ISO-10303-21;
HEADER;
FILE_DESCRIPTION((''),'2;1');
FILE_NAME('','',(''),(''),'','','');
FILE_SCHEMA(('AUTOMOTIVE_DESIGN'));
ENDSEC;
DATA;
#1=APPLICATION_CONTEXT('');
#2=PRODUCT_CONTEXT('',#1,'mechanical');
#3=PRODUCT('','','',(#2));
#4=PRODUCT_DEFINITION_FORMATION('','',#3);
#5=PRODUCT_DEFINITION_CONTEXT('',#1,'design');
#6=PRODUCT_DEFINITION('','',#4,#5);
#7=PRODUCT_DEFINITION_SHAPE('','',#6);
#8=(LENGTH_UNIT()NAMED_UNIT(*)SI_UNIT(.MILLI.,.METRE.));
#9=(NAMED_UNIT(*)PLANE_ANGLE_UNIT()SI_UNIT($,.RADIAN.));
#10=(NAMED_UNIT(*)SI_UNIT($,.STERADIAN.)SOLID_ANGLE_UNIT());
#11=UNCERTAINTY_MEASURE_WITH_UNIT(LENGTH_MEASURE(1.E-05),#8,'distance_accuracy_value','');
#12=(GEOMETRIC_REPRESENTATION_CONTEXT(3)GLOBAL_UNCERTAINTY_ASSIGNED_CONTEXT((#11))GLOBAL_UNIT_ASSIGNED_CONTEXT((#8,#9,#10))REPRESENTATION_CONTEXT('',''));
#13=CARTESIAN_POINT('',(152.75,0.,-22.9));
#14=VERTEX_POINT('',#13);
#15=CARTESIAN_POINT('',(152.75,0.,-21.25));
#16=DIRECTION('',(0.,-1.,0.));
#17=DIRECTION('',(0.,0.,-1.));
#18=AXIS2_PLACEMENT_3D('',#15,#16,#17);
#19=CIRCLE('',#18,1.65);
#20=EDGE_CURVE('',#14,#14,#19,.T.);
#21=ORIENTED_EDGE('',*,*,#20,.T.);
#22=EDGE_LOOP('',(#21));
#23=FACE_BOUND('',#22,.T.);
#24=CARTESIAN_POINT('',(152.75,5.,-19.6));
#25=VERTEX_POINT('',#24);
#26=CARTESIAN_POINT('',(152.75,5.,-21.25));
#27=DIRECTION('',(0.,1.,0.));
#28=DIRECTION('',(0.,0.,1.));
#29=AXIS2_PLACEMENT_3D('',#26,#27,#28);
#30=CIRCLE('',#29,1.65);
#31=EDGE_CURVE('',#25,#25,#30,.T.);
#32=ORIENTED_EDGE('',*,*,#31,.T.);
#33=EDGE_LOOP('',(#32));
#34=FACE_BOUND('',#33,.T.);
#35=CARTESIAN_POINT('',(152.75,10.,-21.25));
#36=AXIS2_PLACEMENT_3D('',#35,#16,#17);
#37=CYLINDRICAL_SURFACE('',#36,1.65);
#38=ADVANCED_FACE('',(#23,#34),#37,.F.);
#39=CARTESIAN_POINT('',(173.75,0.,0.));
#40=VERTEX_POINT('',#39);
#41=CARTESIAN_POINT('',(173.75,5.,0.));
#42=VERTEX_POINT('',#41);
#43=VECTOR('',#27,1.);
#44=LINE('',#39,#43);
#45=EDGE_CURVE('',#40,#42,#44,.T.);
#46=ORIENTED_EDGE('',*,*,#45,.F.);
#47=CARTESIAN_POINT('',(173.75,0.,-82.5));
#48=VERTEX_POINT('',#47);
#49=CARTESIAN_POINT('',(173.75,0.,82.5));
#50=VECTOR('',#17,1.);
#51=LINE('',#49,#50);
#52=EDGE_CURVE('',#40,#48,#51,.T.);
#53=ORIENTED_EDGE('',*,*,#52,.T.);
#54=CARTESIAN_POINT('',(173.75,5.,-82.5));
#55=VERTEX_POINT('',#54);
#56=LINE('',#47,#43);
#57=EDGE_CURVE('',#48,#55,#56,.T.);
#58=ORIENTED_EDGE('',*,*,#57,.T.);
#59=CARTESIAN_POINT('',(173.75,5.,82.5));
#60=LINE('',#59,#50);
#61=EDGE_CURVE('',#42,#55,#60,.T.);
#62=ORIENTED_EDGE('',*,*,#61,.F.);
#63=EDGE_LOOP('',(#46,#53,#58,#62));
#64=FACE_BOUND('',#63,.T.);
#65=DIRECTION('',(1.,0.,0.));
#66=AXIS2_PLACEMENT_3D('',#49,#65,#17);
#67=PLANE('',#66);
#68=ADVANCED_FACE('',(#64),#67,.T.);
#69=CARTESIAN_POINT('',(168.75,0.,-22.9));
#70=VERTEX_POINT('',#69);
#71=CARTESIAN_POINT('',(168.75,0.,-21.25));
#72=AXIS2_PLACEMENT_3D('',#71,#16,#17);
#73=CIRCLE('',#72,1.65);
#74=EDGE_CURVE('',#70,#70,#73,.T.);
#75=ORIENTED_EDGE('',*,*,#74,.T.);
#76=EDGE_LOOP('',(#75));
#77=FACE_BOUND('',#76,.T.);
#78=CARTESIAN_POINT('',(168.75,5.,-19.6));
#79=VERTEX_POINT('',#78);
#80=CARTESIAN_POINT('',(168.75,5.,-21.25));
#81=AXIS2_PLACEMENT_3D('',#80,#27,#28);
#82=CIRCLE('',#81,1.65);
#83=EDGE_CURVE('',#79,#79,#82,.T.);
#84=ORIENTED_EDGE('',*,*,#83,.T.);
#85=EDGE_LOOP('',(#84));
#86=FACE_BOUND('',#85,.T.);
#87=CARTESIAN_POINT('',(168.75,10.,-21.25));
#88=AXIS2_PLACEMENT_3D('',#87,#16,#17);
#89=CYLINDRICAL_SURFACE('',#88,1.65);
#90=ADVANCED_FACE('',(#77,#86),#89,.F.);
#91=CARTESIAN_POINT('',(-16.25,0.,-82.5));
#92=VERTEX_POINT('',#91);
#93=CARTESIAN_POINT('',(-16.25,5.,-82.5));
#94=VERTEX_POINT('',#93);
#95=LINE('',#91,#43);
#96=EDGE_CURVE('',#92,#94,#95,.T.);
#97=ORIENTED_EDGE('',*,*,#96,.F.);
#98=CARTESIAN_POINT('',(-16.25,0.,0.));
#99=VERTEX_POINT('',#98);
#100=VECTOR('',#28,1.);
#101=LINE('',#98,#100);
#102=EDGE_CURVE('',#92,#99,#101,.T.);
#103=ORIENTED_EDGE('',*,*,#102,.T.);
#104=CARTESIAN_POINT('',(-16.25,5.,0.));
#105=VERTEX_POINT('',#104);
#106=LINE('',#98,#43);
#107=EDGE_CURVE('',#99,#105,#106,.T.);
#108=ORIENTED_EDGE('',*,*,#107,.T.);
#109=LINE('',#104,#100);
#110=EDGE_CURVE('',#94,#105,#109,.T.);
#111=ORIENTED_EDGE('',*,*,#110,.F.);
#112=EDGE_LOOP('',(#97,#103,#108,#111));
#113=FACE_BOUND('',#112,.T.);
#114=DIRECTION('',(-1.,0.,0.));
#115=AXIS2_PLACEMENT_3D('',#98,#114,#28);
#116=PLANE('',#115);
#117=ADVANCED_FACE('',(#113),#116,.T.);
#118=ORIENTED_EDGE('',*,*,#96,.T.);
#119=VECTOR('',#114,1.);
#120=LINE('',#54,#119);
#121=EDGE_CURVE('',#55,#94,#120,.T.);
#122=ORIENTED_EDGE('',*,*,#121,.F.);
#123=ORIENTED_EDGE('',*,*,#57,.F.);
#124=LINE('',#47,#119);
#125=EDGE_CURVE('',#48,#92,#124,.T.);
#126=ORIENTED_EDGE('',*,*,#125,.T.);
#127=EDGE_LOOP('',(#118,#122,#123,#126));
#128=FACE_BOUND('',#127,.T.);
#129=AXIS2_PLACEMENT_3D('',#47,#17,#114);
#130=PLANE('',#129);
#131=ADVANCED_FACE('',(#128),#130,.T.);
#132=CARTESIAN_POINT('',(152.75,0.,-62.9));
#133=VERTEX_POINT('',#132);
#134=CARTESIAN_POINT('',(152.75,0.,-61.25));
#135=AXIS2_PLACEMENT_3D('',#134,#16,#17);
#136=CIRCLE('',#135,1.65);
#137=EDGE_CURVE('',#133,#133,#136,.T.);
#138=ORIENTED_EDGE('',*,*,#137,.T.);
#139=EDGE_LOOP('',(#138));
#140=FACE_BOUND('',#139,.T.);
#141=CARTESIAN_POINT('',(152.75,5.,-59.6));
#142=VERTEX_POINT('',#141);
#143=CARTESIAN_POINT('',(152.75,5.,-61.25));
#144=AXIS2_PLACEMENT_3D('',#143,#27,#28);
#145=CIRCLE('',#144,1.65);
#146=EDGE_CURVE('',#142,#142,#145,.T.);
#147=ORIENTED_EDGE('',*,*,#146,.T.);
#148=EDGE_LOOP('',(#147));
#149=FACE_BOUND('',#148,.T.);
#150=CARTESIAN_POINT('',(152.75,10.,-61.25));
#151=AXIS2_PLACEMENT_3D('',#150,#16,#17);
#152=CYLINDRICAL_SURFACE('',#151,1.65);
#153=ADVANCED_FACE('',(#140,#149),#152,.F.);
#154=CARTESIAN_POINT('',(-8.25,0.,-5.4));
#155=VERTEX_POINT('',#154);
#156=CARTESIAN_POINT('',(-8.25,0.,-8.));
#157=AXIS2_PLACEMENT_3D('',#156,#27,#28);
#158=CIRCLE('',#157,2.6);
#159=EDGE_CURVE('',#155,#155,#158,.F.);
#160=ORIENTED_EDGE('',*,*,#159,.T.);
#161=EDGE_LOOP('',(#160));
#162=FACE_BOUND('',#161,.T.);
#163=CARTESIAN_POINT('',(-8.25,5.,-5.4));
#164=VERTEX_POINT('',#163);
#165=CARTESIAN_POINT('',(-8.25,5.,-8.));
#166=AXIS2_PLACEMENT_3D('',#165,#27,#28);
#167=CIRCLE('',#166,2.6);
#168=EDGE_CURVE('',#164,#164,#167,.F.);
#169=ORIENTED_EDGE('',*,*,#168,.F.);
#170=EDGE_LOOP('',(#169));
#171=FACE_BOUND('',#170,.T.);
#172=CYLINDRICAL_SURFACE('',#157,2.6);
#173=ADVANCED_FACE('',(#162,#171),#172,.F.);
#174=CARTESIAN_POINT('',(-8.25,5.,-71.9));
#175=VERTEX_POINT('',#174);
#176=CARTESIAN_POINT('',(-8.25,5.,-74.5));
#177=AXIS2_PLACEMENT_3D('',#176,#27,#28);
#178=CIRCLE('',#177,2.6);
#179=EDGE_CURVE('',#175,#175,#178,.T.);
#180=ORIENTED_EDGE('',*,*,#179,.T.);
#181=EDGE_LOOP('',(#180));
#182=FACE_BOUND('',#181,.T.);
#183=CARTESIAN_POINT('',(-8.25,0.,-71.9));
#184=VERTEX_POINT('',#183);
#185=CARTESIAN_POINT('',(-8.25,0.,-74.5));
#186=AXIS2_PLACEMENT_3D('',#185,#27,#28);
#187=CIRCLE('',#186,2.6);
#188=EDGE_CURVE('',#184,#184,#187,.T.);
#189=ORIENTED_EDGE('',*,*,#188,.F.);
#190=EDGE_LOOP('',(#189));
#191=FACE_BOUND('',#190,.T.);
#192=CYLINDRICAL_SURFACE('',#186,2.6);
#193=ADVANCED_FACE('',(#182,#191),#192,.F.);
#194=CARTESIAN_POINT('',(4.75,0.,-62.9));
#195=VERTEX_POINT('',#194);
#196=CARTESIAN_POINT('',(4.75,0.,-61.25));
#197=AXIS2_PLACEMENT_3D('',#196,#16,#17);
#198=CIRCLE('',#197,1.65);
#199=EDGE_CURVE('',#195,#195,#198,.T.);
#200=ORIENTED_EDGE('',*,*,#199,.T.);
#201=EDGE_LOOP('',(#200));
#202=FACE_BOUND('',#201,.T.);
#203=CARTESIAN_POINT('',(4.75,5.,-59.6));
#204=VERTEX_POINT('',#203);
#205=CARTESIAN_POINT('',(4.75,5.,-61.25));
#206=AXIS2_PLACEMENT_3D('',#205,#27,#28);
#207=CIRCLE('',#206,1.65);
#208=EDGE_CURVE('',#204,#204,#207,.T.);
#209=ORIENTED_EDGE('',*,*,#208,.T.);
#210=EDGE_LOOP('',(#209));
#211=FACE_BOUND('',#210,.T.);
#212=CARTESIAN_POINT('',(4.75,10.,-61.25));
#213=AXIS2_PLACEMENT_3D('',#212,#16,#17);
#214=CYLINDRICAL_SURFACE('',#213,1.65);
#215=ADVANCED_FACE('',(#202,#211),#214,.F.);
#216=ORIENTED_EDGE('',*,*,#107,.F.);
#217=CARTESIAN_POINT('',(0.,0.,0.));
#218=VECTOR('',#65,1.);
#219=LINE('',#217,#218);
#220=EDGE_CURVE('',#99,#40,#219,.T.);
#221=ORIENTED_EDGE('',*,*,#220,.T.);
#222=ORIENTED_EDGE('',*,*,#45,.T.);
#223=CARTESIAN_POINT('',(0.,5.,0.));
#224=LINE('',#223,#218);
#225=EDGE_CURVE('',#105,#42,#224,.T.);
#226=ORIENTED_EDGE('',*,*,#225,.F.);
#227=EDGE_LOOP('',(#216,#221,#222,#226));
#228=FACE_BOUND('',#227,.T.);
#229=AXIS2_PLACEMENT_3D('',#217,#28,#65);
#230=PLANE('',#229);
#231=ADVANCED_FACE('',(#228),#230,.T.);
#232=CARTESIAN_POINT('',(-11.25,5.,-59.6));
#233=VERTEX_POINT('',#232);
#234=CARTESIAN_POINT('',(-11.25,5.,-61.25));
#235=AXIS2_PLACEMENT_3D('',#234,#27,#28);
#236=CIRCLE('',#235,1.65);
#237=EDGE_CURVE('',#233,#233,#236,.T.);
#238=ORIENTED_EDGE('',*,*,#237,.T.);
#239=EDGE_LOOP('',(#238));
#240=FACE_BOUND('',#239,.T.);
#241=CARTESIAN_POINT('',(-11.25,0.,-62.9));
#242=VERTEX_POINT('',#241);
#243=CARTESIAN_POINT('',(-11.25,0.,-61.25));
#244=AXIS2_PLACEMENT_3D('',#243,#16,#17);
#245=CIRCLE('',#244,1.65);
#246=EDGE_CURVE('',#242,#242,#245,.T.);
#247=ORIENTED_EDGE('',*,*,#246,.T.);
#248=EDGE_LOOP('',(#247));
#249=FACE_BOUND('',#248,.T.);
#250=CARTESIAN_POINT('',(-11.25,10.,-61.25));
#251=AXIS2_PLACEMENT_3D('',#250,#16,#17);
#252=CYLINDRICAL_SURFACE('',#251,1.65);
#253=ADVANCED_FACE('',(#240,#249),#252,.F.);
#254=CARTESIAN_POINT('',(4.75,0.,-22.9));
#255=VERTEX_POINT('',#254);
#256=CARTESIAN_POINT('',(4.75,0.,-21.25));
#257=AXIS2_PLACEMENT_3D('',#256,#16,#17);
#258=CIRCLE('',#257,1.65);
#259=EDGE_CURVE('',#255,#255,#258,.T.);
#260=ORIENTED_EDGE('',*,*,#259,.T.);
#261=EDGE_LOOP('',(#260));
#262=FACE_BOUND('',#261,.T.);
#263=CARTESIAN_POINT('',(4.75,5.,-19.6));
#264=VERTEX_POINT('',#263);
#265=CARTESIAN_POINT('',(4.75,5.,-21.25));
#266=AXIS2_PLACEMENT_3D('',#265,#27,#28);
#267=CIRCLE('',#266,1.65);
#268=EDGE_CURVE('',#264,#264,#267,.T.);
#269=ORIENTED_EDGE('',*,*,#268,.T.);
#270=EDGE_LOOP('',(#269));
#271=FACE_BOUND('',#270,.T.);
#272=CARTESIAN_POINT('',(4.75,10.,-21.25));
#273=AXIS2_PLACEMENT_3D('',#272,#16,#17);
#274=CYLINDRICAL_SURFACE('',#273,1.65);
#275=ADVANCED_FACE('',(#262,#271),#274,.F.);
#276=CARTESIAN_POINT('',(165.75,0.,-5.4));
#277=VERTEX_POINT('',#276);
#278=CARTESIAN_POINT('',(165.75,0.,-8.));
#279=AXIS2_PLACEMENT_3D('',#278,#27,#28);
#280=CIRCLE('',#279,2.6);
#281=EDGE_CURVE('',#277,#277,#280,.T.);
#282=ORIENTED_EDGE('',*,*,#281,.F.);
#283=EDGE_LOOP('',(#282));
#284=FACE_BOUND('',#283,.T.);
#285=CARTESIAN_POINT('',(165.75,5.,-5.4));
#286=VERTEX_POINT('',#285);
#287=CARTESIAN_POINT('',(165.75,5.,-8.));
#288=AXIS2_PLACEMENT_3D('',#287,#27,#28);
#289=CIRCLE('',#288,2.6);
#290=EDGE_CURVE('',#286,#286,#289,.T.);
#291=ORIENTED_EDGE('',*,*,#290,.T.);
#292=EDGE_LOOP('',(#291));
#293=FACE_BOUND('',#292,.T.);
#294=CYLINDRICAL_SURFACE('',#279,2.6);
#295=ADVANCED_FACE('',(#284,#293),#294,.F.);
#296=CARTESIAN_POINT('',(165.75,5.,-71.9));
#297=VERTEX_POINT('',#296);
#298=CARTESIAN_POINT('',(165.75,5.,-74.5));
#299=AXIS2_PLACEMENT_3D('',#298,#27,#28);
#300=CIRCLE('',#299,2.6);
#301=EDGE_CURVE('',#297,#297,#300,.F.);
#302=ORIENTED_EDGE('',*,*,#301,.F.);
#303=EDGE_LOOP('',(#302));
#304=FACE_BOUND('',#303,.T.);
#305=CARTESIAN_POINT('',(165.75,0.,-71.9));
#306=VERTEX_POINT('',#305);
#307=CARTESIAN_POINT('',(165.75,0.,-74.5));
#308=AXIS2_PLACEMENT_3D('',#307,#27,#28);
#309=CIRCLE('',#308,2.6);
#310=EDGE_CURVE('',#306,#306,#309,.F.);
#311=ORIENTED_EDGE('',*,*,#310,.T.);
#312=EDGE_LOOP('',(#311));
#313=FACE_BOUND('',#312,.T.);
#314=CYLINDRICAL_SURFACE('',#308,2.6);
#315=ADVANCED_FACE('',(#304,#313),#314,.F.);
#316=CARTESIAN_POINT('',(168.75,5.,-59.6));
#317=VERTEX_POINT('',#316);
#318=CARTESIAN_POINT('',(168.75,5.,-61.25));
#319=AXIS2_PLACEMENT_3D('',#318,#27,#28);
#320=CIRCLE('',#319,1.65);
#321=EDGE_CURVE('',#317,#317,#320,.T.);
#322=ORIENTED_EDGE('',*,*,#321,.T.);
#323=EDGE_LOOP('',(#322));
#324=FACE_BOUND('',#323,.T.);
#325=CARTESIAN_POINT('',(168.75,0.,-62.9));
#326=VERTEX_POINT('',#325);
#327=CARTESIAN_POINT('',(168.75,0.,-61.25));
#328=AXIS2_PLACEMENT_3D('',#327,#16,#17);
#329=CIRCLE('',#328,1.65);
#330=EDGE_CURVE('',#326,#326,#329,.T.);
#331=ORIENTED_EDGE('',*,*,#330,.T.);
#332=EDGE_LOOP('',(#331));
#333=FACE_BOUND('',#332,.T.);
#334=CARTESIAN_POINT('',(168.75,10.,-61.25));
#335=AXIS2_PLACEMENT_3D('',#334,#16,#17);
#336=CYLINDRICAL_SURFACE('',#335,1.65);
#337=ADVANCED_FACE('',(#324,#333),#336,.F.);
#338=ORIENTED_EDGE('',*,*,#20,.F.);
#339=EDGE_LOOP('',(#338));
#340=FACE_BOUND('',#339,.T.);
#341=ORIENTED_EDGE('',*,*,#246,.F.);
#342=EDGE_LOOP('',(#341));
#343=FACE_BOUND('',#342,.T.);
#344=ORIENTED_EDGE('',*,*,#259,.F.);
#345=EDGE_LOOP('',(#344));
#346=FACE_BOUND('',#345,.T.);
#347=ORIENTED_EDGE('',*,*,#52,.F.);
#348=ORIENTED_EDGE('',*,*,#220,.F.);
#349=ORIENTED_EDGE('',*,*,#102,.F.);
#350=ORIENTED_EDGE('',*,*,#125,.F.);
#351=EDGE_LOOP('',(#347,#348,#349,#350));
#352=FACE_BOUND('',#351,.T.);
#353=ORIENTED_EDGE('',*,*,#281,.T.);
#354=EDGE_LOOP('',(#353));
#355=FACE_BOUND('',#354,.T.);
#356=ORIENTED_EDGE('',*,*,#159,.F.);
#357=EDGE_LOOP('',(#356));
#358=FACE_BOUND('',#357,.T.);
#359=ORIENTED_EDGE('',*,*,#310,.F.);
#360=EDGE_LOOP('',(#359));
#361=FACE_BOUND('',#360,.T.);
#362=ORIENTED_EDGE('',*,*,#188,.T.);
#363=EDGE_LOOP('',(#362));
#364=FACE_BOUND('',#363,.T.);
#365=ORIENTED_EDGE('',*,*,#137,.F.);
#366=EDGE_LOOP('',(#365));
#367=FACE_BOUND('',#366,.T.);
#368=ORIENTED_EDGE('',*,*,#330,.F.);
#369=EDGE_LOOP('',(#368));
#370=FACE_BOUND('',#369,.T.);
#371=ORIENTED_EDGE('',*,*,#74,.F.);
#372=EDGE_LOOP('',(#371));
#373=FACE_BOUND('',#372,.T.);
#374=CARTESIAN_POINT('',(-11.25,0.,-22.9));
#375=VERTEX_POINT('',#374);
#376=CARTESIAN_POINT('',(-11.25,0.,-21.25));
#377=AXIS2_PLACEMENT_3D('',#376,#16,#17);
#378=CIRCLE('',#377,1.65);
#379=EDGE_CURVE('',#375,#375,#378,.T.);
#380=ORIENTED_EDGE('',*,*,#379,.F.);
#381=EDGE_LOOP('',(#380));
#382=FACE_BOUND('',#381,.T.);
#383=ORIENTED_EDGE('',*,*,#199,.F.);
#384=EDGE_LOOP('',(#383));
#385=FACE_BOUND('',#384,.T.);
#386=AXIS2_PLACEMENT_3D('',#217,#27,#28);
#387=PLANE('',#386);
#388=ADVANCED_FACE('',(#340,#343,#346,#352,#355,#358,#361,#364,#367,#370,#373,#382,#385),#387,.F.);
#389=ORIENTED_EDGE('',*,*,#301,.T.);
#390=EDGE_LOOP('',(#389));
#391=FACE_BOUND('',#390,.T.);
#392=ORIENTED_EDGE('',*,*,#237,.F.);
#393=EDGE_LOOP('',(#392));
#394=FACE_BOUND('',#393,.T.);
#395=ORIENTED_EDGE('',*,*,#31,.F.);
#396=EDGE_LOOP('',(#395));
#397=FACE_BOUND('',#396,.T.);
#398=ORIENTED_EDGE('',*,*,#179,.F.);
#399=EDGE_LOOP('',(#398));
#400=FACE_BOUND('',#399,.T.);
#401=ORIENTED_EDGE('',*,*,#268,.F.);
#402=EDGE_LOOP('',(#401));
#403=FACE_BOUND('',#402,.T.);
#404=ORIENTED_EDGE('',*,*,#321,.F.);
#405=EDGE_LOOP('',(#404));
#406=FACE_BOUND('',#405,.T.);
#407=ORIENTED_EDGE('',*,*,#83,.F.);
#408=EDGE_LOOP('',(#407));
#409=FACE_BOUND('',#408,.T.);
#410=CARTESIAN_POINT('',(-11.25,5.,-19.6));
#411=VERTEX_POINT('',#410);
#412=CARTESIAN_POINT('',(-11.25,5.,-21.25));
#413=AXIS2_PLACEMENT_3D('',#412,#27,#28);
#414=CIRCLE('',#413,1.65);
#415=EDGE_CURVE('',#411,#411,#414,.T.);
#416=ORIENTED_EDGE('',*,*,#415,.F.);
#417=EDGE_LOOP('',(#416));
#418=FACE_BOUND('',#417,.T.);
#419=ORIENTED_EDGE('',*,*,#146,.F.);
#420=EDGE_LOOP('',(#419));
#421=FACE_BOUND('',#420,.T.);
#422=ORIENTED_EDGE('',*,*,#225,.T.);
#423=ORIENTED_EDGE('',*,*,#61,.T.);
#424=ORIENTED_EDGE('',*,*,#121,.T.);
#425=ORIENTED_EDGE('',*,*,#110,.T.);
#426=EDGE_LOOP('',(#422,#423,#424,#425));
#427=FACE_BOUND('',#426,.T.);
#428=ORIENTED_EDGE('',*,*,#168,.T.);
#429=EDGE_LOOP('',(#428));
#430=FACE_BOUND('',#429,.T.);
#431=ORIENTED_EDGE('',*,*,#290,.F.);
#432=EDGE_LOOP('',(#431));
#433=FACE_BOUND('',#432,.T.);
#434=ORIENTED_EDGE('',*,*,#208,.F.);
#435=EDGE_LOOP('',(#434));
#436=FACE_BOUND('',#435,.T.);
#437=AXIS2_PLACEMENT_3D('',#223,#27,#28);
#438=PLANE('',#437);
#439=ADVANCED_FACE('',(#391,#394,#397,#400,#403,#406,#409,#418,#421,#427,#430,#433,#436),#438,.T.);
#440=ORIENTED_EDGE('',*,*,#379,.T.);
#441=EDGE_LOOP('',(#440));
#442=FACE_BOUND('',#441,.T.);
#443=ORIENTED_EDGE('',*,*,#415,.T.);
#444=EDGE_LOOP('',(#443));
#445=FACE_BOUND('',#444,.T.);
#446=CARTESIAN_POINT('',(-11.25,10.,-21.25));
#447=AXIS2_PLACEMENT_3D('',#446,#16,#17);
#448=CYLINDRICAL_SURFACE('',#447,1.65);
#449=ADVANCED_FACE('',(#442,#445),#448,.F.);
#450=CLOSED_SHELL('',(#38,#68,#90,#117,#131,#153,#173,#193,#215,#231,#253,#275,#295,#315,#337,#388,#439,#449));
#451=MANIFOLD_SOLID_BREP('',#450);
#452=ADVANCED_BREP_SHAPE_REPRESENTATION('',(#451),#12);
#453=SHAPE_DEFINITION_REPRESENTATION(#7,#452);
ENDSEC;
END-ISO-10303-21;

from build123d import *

# Parameters (mm, degrees)
SKETCH_1_W          = 347.5
SKETCH_1_H          = 165
SKETCH_1_R          = 2.6
EXTRUDE_1_DEPTH     = 5
SKETCH_2_W          = 157.5
SKETCH_2_H          = 82.5
SKETCH_2_H_2        = 55.334629905
SKETCH_2_H_3        = 27.165370095
SKETCH_2_R          = 2.6
SKETCH_2_W_2        = 173.75
SKETCH_2_W_3        = 16.25
CUT_EXTRUDE_2_DEPTH = 5
SKETCH_4_R          = 2.6
CUT_EXTRUDE_3_DEPTH = 5
SKETCH_5_R          = 1.65
CUT_EXTRUDE_4_DEPTH = 10


with BuildPart() as part:
    # 草图1 → 凸台-拉伸1 (new body)
    with BuildSketch(Plane(origin=(0, 5, 0), x_dir=(1, 0, 0), z_dir=(0, 1, 0))):
        Rectangle(SKETCH_1_W, SKETCH_1_H)
        with Locations(Location((-163.75, -70.5, 0), (0, 0, 90))):
            Circle(SKETCH_1_R, mode=Mode.SUBTRACT)
        with Locations(Location((-163.75, -60.5, 0), (0, 0, 90))):
            Circle(SKETCH_1_R, mode=Mode.SUBTRACT)
        with Locations(Location((163.75, -60.5, 0), (0, 0, 90))):
            Circle(SKETCH_1_R, mode=Mode.SUBTRACT)
        with Locations(Location((163.75, -70.5, 0), (0, 0, 90))):
            Circle(SKETCH_1_R, mode=Mode.SUBTRACT)
    extrude(amount=-EXTRUDE_1_DEPTH)

    # 草图2 → 切除-拉伸2 (cut)
    # profile 1 of 7: a face of its own
    with BuildSketch(Plane(origin=(0, 5, 0), x_dir=(1, 0, 0), z_dir=(0, 1, 0))):
        with Locations((-95, 41.25)):
            Rectangle(SKETCH_2_W, SKETCH_2_H)
    # profile 2 of 7: a face of its own
    with BuildSketch(Plane(origin=(0, 5, 0), x_dir=(1, 0, 0), z_dir=(0, 1, 0))):
        with Locations((-95, -27.667314952)):
            Rectangle(SKETCH_2_W, SKETCH_2_H_2)
    # profile 3 of 7: a face of its own
    with BuildSketch(Plane(origin=(0, 5, 0), x_dir=(1, 0, 0), z_dir=(0, 1, 0))):
        with Locations((-95, -68.917314952)):
            Rectangle(SKETCH_2_W, SKETCH_2_H_3)
        with Locations((-163.75, -70.5)):
            Circle(SKETCH_2_R, mode=Mode.SUBTRACT)
        with Locations((-163.75, -60.5)):
            Circle(SKETCH_2_R, mode=Mode.SUBTRACT)
    # profile 4 of 7: a face of its own
    with BuildSketch(Plane(origin=(0, 5, 0), x_dir=(1, 0, 0), z_dir=(0, 1, 0))):
        with Locations((86.875, -68.917314952)):
            Rectangle(SKETCH_2_W_2, SKETCH_2_H_3)
        with Locations((163.75, -70.5)):
            Circle(SKETCH_2_R, mode=Mode.SUBTRACT)
        with Locations((163.75, -60.5)):
            Circle(SKETCH_2_R, mode=Mode.SUBTRACT)
    # profile 5 of 7: a face of its own
    with BuildSketch(Plane(origin=(0, 5, 0), x_dir=(1, 0, 0), z_dir=(0, 1, 0))):
        with Locations((-8.125, -68.917314952)):
            Rectangle(SKETCH_2_W_3, SKETCH_2_H_3)
    # profile 6 of 7: a face of its own
    with BuildSketch(Plane(origin=(0, 5, 0), x_dir=(1, 0, 0), z_dir=(0, 1, 0))):
        with Locations((-8.125, -27.667314952)):
            Rectangle(SKETCH_2_W_3, SKETCH_2_H_2)
    # profile 7 of 7: a face of its own
    with BuildSketch(Plane(origin=(0, 5, 0), x_dir=(1, 0, 0), z_dir=(0, 1, 0))):
        with Locations((86.875, -27.667314952)):
            Rectangle(SKETCH_2_W_2, SKETCH_2_H_2)
    extrude(amount=-CUT_EXTRUDE_2_DEPTH, mode=Mode.SUBTRACT)

    # 草图4 → 切除-拉伸3 (cut)
    with BuildSketch(Plane(origin=(0, 5, 0), x_dir=(1, 0, 0), z_dir=(0, 1, 0))):
        with Locations(Location((165.75, 74.5, 0), (0, 0, 270))):
            Circle(SKETCH_4_R)
        with Locations(Location((165.75, 8, 0), (0, 0, 270))):
            Circle(SKETCH_4_R)
        with Locations(Location((-8.25, 74.5, 0), (0, 0, 270))):
            Circle(SKETCH_4_R)
        with Locations(Location((-8.25, 8, 0), (0, 0, 270))):
            Circle(SKETCH_4_R)
    extrude(amount=-CUT_EXTRUDE_3_DEPTH, mode=Mode.SUBTRACT)

    # 草图5 → 切除-拉伸4 (cut)
    with BuildSketch(Plane.XZ):
        with Locations(Location((-11.25, -61.25, 0), (0, 0, 270))):
            Circle(SKETCH_5_R)
        with Locations(Location((4.75, -61.25, 0), (0, 0, 270))):
            Circle(SKETCH_5_R)
        with Locations(Location((4.75, -21.25, 0), (0, 0, 270))):
            Circle(SKETCH_5_R)
        with Locations(Location((152.75, -61.25, 0), (0, 0, 270))):
            Circle(SKETCH_5_R)
        with Locations(Location((168.75, -61.25, 0), (0, 0, 270))):
            Circle(SKETCH_5_R)
        with Locations(Location((152.75, -21.25, 0), (0, 0, 270))):
            Circle(SKETCH_5_R)
        with Locations(Location((168.75, -21.25, 0), (0, 0, 270))):
            Circle(SKETCH_5_R)
        with Locations(Location((-11.25, -21.25, 0), (0, 0, 270))):
            Circle(SKETCH_5_R)
    extrude(amount=-CUT_EXTRUDE_4_DEPTH, mode=Mode.SUBTRACT)


solid = part.part
